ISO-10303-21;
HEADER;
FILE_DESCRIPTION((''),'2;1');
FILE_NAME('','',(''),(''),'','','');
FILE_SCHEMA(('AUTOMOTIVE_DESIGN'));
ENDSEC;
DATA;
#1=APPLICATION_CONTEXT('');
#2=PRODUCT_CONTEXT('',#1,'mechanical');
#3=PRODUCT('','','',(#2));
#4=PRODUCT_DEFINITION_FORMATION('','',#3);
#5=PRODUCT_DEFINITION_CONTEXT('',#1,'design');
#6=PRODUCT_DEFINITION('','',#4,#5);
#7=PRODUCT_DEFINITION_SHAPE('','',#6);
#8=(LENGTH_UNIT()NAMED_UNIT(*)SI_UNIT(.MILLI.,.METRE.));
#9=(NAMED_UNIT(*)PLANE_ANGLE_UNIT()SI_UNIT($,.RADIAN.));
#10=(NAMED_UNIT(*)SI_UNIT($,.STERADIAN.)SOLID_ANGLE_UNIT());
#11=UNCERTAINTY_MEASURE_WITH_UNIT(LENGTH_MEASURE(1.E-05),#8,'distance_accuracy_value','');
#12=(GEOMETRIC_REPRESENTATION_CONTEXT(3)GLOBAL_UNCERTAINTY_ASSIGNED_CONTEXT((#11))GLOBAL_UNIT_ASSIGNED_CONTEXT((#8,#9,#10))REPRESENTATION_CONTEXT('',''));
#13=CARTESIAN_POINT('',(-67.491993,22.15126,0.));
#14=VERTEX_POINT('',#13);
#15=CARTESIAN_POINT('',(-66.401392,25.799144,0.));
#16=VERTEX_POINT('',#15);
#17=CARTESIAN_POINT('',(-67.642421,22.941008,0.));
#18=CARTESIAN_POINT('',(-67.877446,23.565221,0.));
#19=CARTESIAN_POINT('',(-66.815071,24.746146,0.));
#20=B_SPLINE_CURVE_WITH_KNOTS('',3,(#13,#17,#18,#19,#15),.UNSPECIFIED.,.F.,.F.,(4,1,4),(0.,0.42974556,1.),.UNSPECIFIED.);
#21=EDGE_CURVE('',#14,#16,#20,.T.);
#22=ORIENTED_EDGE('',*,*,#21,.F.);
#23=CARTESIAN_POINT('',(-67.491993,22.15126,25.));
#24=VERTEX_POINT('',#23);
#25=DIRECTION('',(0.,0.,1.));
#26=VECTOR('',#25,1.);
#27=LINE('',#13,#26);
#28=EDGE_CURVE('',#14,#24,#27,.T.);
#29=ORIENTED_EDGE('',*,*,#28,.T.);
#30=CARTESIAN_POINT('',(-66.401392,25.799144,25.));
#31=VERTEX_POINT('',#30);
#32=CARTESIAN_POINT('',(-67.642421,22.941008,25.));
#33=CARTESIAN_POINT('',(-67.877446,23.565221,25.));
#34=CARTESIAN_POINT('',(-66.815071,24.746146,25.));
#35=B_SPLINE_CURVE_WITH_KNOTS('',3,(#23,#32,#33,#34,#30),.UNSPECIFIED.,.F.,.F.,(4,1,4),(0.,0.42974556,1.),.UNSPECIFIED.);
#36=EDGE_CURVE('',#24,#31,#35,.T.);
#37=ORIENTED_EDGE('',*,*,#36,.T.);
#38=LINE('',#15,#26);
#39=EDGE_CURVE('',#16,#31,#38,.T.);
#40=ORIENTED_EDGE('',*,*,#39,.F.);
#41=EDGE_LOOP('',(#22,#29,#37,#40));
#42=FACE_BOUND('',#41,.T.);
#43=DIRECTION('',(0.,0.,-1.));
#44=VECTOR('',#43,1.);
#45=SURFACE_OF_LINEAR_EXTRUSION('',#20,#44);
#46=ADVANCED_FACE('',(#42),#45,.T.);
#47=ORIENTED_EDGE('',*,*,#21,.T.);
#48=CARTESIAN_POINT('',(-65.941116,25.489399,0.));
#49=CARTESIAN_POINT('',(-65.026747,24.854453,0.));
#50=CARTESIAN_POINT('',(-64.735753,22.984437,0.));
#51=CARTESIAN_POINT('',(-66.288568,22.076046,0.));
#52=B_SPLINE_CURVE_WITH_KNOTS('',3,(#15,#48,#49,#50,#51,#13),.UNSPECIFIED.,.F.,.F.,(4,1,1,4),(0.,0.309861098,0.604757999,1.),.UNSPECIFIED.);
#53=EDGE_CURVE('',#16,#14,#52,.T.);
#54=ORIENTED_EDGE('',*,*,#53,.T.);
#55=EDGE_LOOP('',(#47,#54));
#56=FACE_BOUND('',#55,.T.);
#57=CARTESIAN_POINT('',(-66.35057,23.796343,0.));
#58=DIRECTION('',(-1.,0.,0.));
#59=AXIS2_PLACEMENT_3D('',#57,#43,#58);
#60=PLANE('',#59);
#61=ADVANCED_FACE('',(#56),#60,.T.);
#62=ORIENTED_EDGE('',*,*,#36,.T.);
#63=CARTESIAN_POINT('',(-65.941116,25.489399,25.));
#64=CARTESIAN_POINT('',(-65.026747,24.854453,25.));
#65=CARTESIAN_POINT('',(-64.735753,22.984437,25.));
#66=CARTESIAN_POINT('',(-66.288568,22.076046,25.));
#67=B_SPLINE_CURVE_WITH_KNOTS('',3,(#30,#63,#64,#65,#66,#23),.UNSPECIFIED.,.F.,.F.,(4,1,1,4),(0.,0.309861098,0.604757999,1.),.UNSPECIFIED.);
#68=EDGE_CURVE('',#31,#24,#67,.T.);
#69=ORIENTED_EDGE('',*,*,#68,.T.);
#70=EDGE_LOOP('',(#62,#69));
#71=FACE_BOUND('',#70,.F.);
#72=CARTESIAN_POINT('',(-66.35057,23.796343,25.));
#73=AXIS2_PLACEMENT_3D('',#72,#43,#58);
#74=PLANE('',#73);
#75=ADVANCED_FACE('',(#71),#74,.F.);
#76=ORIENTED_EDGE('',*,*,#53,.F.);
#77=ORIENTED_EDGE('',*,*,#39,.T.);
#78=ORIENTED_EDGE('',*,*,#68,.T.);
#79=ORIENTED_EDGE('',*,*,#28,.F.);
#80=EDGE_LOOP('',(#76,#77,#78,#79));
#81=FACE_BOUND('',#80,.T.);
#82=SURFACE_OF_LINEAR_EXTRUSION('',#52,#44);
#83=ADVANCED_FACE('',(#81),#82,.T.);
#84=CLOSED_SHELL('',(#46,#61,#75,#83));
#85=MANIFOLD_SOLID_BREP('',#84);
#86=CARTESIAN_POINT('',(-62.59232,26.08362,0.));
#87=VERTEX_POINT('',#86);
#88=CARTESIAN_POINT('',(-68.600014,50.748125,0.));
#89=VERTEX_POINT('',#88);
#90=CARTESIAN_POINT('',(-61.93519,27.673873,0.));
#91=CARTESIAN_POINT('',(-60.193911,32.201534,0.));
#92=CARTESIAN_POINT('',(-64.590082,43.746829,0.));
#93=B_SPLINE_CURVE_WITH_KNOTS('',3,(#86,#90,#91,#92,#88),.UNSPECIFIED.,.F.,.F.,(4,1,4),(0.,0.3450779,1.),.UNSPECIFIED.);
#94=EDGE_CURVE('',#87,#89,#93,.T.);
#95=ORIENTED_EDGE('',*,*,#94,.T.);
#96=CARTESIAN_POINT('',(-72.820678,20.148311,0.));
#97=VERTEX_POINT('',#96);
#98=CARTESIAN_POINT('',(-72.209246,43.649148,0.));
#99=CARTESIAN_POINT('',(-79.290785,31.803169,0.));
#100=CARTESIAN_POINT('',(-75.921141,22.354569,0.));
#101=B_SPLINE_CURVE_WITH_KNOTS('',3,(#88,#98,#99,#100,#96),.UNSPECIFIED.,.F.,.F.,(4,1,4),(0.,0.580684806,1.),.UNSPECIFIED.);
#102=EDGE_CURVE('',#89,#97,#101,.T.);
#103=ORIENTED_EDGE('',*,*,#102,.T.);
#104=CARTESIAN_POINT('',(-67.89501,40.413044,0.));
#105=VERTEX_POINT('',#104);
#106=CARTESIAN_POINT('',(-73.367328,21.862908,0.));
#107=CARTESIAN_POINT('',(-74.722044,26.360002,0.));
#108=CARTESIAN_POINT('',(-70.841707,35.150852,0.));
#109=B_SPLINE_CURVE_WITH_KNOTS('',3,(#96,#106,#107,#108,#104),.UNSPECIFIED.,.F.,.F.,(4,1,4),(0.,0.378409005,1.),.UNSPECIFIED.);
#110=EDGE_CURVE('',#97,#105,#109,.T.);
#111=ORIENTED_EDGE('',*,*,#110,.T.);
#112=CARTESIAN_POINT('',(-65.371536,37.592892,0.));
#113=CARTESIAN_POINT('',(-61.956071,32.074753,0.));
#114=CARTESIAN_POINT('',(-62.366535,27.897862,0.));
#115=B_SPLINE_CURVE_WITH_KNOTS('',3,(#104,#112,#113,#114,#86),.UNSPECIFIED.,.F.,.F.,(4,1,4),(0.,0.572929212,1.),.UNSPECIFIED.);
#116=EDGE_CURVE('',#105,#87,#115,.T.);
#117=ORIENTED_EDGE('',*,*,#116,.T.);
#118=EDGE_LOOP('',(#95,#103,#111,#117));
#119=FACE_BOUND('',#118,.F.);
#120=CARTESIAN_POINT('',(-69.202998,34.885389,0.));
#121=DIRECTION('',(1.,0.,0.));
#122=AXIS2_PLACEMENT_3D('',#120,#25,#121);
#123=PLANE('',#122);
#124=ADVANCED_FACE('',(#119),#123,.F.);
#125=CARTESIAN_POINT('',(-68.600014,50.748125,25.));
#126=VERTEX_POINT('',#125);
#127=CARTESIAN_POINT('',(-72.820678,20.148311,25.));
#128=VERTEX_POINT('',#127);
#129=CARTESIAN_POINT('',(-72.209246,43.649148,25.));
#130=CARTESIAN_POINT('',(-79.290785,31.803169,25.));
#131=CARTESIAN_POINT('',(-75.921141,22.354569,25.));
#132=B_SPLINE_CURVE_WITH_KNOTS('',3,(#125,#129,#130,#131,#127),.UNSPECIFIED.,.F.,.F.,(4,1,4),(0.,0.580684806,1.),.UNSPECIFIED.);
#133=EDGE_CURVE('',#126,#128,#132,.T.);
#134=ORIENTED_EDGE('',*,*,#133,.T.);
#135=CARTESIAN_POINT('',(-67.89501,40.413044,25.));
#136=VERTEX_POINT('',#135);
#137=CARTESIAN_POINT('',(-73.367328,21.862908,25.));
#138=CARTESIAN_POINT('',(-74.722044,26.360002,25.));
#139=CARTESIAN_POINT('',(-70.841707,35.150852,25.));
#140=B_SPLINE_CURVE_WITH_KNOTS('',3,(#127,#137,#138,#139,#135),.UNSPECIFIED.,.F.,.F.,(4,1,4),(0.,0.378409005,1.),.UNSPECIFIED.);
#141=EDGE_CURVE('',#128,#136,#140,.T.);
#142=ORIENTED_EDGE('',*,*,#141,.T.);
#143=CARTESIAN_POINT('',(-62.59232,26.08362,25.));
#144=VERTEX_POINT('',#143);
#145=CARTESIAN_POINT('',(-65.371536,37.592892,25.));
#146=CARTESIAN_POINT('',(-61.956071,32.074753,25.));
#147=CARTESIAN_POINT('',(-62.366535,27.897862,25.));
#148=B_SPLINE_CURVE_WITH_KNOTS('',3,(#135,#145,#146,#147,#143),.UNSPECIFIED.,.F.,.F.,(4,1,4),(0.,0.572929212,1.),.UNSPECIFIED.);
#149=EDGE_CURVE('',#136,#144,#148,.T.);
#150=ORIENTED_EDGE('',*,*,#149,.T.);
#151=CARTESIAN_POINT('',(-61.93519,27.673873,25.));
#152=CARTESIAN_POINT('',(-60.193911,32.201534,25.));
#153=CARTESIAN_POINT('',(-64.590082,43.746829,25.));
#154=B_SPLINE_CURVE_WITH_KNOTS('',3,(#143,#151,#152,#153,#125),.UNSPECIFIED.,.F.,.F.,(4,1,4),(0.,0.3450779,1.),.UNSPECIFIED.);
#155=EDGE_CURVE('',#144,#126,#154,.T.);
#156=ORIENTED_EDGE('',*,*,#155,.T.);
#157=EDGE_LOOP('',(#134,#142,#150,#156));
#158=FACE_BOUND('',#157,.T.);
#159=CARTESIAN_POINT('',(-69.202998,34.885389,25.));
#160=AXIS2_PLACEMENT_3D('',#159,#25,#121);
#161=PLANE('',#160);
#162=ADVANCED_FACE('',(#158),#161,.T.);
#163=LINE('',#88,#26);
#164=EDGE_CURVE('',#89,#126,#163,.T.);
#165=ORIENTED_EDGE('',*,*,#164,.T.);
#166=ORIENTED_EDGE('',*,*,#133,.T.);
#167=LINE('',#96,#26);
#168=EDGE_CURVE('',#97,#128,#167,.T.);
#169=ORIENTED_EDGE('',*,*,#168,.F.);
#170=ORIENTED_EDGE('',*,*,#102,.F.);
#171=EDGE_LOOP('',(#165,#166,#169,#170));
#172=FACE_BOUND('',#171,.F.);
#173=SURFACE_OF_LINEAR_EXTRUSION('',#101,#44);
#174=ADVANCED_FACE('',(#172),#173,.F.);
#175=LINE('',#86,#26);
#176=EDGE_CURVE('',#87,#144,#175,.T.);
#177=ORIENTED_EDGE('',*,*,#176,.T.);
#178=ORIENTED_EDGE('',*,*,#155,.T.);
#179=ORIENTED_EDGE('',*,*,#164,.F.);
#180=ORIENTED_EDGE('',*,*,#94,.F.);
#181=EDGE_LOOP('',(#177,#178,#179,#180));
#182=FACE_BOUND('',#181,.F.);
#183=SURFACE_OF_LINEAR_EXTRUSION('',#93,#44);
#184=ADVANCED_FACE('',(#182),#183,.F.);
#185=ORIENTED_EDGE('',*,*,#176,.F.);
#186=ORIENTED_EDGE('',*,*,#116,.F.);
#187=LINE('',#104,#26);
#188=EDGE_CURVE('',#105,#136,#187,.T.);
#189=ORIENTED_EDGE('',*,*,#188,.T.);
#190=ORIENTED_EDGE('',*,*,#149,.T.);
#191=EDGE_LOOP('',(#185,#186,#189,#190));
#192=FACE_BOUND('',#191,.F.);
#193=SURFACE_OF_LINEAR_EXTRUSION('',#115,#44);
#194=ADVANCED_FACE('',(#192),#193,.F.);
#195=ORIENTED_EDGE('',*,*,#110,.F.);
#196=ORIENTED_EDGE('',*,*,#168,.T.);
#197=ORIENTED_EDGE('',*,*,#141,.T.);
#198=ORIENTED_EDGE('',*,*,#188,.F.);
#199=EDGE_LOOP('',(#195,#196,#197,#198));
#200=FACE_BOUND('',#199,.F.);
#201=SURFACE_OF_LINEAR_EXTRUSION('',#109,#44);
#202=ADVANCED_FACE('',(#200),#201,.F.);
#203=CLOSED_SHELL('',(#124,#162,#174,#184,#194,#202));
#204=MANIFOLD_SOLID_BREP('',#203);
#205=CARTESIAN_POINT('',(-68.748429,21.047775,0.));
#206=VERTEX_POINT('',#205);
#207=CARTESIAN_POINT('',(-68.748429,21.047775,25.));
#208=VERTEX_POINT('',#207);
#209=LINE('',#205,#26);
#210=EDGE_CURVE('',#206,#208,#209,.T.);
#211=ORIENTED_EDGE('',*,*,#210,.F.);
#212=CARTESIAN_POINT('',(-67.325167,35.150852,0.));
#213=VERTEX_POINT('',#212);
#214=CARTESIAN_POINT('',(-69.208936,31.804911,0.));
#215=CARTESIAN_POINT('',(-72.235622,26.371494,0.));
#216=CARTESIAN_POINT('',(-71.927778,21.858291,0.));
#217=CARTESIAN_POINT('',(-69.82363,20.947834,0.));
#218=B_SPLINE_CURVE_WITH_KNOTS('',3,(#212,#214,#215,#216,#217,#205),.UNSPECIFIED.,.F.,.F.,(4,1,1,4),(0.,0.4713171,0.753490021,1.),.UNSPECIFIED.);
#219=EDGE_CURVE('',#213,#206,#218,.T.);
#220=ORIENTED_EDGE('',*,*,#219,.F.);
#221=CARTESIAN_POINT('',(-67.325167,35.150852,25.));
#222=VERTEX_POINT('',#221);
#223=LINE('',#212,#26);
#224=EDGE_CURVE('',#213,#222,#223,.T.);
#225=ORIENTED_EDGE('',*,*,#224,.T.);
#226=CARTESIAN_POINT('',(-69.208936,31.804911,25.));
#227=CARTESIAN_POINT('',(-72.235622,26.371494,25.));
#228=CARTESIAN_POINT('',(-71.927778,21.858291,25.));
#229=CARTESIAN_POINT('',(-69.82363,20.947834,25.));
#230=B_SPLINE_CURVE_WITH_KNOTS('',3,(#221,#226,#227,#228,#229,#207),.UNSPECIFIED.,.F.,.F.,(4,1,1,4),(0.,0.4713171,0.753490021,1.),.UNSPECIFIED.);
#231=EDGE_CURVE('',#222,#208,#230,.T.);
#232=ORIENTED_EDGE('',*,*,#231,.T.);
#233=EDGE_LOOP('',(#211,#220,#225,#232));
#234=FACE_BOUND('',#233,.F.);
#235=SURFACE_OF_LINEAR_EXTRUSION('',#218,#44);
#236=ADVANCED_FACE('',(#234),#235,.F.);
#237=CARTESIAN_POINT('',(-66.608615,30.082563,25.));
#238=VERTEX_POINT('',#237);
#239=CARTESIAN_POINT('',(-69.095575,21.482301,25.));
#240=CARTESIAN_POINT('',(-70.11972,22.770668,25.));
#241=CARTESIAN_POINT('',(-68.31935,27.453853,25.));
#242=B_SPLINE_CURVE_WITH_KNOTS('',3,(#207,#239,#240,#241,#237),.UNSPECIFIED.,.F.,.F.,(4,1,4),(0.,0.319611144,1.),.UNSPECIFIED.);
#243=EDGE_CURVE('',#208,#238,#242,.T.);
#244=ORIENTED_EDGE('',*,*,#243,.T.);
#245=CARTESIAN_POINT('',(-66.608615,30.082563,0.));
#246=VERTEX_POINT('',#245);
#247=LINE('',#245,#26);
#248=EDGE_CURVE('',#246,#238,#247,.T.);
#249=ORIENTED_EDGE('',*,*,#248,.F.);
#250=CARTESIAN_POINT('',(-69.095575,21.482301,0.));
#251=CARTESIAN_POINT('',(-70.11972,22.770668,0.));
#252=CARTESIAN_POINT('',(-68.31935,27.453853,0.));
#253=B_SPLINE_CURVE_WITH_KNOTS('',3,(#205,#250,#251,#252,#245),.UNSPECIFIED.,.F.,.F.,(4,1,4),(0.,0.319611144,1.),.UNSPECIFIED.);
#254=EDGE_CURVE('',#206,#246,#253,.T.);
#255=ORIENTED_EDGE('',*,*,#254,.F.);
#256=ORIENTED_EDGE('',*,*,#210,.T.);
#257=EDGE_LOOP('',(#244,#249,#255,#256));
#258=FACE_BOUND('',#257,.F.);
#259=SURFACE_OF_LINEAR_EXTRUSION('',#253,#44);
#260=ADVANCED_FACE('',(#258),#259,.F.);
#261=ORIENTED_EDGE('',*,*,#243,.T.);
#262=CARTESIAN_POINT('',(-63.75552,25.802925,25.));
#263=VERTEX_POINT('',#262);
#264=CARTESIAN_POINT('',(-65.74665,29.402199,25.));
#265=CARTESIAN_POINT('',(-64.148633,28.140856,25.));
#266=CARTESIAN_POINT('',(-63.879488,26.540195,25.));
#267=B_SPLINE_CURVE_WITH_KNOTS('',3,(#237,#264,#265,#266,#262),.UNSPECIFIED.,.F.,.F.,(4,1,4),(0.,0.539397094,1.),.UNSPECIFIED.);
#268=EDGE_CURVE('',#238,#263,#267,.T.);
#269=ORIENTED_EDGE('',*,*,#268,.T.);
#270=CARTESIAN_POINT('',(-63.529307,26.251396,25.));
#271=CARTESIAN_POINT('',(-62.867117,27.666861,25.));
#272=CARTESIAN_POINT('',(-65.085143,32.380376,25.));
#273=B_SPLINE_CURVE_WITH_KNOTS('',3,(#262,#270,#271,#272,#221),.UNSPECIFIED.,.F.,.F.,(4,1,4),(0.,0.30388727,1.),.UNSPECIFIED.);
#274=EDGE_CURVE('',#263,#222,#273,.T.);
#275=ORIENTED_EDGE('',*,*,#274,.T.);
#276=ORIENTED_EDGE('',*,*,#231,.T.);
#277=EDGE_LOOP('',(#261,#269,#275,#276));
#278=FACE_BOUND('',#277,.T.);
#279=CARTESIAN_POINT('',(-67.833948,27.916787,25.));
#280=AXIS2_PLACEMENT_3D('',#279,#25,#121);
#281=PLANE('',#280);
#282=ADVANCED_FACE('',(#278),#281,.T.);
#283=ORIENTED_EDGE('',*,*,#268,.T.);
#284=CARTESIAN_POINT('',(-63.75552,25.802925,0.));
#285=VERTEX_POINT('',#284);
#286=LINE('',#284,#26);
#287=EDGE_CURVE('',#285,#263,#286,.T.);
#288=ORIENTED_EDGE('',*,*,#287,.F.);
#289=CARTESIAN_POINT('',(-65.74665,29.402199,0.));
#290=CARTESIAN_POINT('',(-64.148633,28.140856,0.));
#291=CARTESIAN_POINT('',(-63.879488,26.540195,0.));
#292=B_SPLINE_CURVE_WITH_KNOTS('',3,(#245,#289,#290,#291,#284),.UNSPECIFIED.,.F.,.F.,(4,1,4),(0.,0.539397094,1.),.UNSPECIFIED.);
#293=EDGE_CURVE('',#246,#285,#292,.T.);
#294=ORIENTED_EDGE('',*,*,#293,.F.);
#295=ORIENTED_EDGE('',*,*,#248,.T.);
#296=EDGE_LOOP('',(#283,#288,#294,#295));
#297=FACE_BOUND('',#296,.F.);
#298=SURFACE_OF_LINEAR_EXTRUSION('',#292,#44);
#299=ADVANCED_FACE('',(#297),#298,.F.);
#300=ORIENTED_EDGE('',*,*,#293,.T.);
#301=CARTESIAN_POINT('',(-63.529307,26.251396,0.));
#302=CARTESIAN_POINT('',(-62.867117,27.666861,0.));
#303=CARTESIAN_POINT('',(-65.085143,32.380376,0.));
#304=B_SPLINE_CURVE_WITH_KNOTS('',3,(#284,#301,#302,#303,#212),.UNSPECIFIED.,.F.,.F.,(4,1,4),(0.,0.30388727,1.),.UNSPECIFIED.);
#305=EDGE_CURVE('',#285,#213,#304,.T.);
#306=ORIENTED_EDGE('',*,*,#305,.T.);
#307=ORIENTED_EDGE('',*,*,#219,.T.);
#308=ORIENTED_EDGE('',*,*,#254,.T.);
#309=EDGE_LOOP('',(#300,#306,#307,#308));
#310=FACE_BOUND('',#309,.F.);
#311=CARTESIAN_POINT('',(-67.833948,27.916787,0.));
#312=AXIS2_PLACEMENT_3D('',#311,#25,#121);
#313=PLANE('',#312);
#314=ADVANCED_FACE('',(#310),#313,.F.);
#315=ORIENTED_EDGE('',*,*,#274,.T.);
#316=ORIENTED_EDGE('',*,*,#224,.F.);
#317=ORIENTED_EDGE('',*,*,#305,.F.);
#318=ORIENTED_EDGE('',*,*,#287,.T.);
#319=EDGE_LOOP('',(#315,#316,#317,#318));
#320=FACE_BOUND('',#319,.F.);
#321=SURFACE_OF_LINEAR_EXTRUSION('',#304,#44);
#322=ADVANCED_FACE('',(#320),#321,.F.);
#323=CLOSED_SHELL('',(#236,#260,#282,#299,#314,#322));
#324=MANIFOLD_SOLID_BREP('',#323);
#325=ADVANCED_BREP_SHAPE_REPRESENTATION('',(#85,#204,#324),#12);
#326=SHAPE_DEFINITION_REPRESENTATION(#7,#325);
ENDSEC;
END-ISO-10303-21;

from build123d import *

# Parameters (mm, degrees)
F1_DEPTH = 25


with BuildPart() as f1:
    # F0 (on Top) → F1 (new body)
    with BuildSketch(Plane.XY):
        with BuildLine():
            add(Edge.make_bspline(
                [(-62.5923201442, 26.0836202651), (-61.9351901808, 27.6738730732), (-60.1939110476, 32.2015343839), (-64.5900815725, 43.7468290329), (-68.6000138521, 50.7481247187)],
                knots=[0, 0, 0, 0, 0.3450779004, 1, 1, 1, 1], degree=3))
            add(Edge.make_bspline(
                [(-68.6000138521, 50.7481247187), (-72.2092464566, 43.649148196), (-79.2907851994, 31.8031692569), (-75.9211406112, 22.3545692861), (-72.8206783533, 20.1483108103)],
                knots=[0, 0, 0, 0, 0.5806848058, 1, 1, 1, 1], degree=3))
            add(Edge.make_bspline(
                [(-72.8206783533, 20.1483108103), (-73.3673278597, 21.8629082153), (-74.7220440755, 26.3600017196), (-70.8417072892, 35.1508520544), (-67.8950101137, 40.4130443931)],
                knots=[0, 0, 0, 0, 0.3784090051, 1, 1, 1, 1], degree=3))
            add(Edge.make_bspline(
                [(-67.8950101137, 40.4130443931), (-65.3715357184, 37.5928916037), (-61.9560712548, 32.0747531141), (-62.366534646, 27.8978623447), (-62.5923201442, 26.0836202651)],
                knots=[0, 0, 0, 0, 0.5729292116, 1, 1, 1, 1], degree=3))
        make_face()
    extrude(amount=F1_DEPTH)


with BuildPart() as f1b:
    # F0 (on Top) → F1, piece 2 (new body)
    with BuildSketch(Plane.XY):
        with BuildLine():
            add(Edge.make_bspline(
                [(-63.7555196881, 25.8029252291), (-63.5293067352, 26.2513958143), (-62.8671172852, 27.6668608362), (-65.0851428509, 32.3803760111), (-67.3251673579, 35.1508520544)],
                knots=[0, 0, 0, 0, 0.3038872696, 1, 1, 1, 1], degree=3))
            add(Edge.make_bspline(
                [(-67.3251673579, 35.1508520544), (-69.2089361234, 31.8049107249), (-72.2356221362, 26.3714943322), (-71.9277775534, 21.8582907482), (-69.8236301541, 20.9478344768), (-68.7484294176, 21.0477747023)],
                knots=[0, 0, 0, 0, 0.4713171, 0.7534900214, 1, 1, 1, 1], degree=3))
            add(Edge.make_bspline(
                [(-68.7484294176, 21.0477747023), (-69.0955745928, 21.4823009731), (-70.119719912, 22.7706684321), (-68.319350481, 27.4538528174), (-66.6086152196, 30.0825629383)],
                knots=[0, 0, 0, 0, 0.3196111445, 1, 1, 1, 1], degree=3))
            add(Edge.make_bspline(
                [(-66.6086152196, 30.0825629383), (-65.7466496453, 29.4021985077), (-64.1486329252, 28.1408560965), (-63.8794884265, 26.5401945771), (-63.7555196881, 25.8029252291)],
                knots=[0, 0, 0, 0, 0.5393970936, 1, 1, 1, 1], degree=3))
        make_face()
    extrude(amount=F1_DEPTH)


with BuildPart() as f1c:
    # F0 (on Top) → F1, piece 3 (new body)
    with BuildSketch(Plane.XY):
        with BuildLine():
            add(Edge.make_bspline(
                [(-67.4919933081, 22.1512597054), (-67.6424205303, 22.9410082102), (-67.8774463812, 23.5652205007), (-66.8150708079, 24.7461460531), (-66.4013922215, 25.7991440594)],
                knots=[0, 0, 0, 0, 0.4297455601, 1, 1, 1, 1], degree=3))
            add(Edge.make_bspline(
                [(-66.4013922215, 25.7991440594), (-65.9411160041, 25.4893987375), (-65.0267468122, 24.8544525706), (-64.7357526007, 22.9844369821), (-66.2885680795, 22.0760460943), (-67.4919933081, 22.1512597054)],
                knots=[0, 0, 0, 0, 0.3098610978, 0.6047579994, 1, 1, 1, 1], degree=3))
        make_face()
    extrude(amount=F1_DEPTH)


solid = Compound([f1.part, f1b.part, f1c.part])
